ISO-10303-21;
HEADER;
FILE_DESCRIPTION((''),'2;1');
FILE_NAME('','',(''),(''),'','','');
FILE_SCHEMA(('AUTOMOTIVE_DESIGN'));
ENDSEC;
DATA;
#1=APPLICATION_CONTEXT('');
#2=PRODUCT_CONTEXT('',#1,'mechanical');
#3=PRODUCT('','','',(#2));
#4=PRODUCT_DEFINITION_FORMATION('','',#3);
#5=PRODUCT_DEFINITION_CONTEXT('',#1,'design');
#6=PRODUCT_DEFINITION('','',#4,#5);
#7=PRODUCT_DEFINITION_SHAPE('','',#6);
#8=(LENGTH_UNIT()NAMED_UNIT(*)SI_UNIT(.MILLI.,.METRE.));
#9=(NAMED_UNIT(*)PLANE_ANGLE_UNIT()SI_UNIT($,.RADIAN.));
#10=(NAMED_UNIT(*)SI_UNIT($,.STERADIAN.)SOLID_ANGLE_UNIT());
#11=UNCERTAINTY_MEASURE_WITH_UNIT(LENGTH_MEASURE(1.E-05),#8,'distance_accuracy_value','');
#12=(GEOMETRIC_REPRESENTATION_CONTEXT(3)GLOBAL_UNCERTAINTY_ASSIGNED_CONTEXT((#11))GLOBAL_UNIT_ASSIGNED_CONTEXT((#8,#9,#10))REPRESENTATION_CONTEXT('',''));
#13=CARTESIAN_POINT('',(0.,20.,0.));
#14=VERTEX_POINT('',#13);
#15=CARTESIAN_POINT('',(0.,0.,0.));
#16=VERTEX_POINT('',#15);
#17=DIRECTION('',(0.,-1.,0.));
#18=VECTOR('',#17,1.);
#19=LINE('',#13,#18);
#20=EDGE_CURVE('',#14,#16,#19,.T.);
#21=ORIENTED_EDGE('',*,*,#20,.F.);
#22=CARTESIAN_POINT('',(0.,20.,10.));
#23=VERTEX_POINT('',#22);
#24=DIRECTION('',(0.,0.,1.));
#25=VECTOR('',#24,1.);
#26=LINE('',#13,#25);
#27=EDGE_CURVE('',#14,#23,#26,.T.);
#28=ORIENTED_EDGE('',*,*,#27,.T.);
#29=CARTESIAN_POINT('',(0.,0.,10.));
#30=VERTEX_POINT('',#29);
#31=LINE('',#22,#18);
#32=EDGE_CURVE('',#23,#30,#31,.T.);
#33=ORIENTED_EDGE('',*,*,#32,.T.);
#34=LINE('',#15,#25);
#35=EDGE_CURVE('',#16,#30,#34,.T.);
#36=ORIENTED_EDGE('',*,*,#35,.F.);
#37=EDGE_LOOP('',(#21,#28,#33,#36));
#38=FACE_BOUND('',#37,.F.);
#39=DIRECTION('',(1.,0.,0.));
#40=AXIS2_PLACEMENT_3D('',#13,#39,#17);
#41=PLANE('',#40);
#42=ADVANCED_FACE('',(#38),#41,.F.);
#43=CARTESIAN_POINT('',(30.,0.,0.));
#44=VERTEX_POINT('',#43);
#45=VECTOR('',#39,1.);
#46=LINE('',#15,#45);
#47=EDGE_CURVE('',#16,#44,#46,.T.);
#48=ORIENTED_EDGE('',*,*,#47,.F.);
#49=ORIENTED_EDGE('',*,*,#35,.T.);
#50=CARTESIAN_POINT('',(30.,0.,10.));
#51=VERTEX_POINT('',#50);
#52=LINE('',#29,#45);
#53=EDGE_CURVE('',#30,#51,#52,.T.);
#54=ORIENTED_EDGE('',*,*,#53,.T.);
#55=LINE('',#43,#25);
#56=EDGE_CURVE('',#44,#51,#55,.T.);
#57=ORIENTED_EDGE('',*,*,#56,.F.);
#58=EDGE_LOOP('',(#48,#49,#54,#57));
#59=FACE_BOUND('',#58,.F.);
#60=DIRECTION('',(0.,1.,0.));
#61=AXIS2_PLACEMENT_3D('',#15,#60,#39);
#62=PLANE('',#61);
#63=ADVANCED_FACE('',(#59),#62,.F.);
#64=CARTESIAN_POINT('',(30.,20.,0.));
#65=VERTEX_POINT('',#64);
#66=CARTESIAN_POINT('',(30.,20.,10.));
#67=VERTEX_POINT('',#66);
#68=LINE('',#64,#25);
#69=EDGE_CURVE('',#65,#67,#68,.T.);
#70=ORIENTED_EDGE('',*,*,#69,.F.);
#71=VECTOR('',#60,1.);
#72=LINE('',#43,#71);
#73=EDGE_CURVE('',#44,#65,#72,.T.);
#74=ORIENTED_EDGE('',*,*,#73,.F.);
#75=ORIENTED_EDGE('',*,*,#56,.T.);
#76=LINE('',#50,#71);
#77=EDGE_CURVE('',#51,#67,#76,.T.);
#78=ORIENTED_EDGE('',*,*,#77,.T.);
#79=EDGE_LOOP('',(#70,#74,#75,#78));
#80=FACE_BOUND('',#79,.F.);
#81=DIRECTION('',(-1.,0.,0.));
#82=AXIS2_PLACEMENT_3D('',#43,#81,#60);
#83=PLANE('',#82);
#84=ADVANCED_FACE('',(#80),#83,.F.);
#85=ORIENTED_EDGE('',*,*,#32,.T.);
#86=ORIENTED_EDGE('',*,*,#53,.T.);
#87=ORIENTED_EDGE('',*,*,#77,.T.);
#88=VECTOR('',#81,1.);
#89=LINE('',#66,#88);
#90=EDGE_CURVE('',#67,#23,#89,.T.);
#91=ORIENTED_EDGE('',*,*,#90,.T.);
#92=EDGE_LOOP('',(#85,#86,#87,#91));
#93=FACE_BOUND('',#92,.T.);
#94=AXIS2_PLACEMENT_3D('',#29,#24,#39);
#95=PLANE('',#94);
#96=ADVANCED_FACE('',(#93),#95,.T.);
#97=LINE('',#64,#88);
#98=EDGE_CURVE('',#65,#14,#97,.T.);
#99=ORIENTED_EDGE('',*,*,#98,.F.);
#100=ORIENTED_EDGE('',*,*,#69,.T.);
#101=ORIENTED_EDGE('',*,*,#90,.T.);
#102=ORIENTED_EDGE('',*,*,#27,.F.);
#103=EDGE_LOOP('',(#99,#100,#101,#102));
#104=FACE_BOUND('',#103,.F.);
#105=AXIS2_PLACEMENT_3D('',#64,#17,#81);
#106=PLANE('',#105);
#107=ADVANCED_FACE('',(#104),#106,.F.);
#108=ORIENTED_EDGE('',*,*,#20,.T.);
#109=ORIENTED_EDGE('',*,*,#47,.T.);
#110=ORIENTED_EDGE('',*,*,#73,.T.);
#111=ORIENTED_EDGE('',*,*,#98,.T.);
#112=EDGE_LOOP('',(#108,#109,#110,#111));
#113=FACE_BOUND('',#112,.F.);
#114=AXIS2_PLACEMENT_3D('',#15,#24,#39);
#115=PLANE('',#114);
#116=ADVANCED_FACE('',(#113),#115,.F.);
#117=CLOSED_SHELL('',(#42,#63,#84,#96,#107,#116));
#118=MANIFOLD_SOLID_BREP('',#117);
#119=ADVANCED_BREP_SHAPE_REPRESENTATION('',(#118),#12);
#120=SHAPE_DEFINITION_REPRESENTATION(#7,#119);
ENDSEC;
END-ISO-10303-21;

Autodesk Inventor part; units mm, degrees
ref_plane "YZ Plane" through (0, 0, 0) normal (1, 0, 0) x (0, 1, 0)
ref_plane "XZ Plane" through (0, 0, 0) normal (0, 1, 0) x (-1, 0, 0)
ref_plane "XY Plane" through (0, 0, 0) normal (0, 0, 1) x (1, 0, 0)
sketch "スケッチ1" plane through (0, 0, 0) normal (0, 0, 1) x (1, 0, 0)
  line L0 (0, 0) -> (30, 0)
  line L1 (30, 0) -> (30, 20)
  line L2 (30, 20) -> (0, 20)
  line L3 (0, 20) -> (0, 0)
  dimension "d0" = 30
  dimension "d1" = 20
extrude "押し出し1" add sketch "スケッチ1" along normal blind 10
properties part number "バネ"
